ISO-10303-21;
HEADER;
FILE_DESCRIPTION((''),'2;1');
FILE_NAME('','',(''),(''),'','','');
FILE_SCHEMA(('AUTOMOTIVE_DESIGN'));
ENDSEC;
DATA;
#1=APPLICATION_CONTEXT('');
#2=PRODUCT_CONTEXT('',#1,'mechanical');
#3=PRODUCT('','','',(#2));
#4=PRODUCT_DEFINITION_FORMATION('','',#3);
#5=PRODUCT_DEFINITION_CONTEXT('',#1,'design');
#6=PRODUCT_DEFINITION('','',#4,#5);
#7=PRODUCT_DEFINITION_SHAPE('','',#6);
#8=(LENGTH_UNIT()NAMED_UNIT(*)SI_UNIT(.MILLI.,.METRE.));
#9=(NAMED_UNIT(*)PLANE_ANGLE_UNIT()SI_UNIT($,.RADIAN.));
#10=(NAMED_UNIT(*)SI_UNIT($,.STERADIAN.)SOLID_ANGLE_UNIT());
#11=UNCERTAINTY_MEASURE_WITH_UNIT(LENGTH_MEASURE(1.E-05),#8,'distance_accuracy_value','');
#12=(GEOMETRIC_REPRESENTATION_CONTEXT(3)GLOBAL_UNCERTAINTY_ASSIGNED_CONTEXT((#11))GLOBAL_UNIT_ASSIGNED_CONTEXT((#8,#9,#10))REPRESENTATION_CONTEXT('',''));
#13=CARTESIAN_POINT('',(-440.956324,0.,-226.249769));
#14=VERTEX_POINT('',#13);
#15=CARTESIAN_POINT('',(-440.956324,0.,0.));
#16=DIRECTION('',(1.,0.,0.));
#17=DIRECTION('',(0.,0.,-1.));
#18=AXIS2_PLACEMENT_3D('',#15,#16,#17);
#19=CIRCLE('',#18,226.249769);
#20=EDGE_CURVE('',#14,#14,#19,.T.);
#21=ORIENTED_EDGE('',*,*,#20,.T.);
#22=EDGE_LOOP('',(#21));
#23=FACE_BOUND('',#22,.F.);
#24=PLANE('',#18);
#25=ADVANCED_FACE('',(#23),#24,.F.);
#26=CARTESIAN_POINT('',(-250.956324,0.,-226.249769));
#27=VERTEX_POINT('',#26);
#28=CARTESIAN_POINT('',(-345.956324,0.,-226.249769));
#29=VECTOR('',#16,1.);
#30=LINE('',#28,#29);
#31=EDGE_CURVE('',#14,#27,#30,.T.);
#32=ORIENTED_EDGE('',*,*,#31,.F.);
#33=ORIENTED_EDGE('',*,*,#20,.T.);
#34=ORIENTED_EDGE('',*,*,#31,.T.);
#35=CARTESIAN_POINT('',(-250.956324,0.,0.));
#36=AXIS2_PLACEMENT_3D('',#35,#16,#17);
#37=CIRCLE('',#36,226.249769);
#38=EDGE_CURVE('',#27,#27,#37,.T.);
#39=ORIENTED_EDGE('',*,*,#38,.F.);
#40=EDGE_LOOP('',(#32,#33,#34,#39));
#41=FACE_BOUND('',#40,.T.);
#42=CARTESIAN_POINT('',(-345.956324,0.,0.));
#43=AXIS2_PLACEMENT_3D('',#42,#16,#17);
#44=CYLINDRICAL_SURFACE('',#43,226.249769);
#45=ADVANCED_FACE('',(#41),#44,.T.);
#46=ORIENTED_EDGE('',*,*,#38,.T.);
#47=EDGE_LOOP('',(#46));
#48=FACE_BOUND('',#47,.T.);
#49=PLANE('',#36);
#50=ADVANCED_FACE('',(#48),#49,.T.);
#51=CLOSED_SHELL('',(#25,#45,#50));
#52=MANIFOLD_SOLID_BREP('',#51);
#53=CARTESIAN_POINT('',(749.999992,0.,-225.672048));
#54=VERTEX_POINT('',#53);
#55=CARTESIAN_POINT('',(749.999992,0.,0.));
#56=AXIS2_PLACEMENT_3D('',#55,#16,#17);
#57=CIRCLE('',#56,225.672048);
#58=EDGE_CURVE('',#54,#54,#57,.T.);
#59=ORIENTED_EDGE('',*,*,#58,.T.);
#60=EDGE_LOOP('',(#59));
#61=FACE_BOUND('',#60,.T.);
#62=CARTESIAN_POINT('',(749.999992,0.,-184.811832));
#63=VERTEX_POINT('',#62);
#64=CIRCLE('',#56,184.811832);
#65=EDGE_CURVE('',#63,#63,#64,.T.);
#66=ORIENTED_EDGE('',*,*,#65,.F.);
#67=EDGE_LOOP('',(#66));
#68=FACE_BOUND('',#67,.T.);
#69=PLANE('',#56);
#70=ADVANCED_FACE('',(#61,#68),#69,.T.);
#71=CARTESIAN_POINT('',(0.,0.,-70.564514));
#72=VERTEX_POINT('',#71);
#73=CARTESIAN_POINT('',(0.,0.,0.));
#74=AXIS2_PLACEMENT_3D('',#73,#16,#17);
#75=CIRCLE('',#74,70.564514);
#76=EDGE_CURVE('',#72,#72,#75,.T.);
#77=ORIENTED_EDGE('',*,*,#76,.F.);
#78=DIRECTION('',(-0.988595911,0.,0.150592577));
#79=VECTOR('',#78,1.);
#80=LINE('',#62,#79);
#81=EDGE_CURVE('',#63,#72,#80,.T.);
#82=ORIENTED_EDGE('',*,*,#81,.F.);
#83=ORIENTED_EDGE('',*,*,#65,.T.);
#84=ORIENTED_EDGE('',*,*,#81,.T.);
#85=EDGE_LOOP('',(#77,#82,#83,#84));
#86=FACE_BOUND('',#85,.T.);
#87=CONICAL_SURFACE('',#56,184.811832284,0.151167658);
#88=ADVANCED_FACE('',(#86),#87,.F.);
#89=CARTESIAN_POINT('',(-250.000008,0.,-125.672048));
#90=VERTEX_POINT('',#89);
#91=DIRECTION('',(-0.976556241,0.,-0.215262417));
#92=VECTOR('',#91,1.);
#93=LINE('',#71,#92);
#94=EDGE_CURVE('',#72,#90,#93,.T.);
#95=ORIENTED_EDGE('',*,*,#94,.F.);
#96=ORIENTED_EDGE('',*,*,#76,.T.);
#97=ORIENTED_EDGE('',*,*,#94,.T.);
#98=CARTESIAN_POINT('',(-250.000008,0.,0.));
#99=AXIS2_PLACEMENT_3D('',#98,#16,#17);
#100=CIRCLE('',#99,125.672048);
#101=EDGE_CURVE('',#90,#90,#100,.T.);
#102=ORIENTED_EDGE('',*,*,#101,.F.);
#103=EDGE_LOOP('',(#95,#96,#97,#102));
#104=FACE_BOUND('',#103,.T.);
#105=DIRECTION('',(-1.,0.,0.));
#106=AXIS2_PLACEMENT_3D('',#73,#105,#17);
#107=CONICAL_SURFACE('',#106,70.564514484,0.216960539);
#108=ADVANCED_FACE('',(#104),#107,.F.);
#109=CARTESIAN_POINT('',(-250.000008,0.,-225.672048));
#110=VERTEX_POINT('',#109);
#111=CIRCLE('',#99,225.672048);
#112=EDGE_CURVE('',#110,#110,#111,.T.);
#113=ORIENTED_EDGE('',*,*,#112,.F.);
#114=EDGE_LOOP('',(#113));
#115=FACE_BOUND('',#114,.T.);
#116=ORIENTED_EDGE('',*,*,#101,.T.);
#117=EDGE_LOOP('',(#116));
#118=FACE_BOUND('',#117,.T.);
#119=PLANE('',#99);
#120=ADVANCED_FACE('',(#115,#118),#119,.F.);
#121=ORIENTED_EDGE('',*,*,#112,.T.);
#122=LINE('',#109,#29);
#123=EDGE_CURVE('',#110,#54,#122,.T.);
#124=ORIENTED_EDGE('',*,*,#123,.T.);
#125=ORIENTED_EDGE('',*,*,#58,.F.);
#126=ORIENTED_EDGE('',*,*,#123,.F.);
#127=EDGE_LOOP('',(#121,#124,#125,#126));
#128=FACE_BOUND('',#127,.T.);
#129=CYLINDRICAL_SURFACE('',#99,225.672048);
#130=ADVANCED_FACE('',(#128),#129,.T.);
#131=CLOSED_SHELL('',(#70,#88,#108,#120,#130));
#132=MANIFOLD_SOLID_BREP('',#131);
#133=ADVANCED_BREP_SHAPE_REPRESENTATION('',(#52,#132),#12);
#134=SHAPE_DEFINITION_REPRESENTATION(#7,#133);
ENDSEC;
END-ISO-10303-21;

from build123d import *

# Parameters (mm, degrees)
F0_W = 190
F0_H = 226.24976933


with BuildPart() as f1:
    # F0 (on Front) → F1 (revolve)
    with BuildSketch(Plane.XZ):
        Polygon((0, -70.5645144836), (-250.0000075567, -125.6720480688), (-250.0000075567, -225.6720480688), (749.9999924433, -225.6720480688), (749.9999924433, -184.8118322838), align=None)
    revolve(axis=Axis((-3.5921850387, 0, 0), (1, 0, 0)))


with BuildPart() as f2:
    # F0 (on Front) → F2 (revolve)
    with BuildSketch(Plane.XZ):
        with Locations((-345.9563243389, -113.124884665)):
            Rectangle(F0_W, F0_H)
    revolve(axis=Axis((-3.5921850387, 0, 0), (1, 0, 0)))


solid = Compound([f1.part, f2.part])
